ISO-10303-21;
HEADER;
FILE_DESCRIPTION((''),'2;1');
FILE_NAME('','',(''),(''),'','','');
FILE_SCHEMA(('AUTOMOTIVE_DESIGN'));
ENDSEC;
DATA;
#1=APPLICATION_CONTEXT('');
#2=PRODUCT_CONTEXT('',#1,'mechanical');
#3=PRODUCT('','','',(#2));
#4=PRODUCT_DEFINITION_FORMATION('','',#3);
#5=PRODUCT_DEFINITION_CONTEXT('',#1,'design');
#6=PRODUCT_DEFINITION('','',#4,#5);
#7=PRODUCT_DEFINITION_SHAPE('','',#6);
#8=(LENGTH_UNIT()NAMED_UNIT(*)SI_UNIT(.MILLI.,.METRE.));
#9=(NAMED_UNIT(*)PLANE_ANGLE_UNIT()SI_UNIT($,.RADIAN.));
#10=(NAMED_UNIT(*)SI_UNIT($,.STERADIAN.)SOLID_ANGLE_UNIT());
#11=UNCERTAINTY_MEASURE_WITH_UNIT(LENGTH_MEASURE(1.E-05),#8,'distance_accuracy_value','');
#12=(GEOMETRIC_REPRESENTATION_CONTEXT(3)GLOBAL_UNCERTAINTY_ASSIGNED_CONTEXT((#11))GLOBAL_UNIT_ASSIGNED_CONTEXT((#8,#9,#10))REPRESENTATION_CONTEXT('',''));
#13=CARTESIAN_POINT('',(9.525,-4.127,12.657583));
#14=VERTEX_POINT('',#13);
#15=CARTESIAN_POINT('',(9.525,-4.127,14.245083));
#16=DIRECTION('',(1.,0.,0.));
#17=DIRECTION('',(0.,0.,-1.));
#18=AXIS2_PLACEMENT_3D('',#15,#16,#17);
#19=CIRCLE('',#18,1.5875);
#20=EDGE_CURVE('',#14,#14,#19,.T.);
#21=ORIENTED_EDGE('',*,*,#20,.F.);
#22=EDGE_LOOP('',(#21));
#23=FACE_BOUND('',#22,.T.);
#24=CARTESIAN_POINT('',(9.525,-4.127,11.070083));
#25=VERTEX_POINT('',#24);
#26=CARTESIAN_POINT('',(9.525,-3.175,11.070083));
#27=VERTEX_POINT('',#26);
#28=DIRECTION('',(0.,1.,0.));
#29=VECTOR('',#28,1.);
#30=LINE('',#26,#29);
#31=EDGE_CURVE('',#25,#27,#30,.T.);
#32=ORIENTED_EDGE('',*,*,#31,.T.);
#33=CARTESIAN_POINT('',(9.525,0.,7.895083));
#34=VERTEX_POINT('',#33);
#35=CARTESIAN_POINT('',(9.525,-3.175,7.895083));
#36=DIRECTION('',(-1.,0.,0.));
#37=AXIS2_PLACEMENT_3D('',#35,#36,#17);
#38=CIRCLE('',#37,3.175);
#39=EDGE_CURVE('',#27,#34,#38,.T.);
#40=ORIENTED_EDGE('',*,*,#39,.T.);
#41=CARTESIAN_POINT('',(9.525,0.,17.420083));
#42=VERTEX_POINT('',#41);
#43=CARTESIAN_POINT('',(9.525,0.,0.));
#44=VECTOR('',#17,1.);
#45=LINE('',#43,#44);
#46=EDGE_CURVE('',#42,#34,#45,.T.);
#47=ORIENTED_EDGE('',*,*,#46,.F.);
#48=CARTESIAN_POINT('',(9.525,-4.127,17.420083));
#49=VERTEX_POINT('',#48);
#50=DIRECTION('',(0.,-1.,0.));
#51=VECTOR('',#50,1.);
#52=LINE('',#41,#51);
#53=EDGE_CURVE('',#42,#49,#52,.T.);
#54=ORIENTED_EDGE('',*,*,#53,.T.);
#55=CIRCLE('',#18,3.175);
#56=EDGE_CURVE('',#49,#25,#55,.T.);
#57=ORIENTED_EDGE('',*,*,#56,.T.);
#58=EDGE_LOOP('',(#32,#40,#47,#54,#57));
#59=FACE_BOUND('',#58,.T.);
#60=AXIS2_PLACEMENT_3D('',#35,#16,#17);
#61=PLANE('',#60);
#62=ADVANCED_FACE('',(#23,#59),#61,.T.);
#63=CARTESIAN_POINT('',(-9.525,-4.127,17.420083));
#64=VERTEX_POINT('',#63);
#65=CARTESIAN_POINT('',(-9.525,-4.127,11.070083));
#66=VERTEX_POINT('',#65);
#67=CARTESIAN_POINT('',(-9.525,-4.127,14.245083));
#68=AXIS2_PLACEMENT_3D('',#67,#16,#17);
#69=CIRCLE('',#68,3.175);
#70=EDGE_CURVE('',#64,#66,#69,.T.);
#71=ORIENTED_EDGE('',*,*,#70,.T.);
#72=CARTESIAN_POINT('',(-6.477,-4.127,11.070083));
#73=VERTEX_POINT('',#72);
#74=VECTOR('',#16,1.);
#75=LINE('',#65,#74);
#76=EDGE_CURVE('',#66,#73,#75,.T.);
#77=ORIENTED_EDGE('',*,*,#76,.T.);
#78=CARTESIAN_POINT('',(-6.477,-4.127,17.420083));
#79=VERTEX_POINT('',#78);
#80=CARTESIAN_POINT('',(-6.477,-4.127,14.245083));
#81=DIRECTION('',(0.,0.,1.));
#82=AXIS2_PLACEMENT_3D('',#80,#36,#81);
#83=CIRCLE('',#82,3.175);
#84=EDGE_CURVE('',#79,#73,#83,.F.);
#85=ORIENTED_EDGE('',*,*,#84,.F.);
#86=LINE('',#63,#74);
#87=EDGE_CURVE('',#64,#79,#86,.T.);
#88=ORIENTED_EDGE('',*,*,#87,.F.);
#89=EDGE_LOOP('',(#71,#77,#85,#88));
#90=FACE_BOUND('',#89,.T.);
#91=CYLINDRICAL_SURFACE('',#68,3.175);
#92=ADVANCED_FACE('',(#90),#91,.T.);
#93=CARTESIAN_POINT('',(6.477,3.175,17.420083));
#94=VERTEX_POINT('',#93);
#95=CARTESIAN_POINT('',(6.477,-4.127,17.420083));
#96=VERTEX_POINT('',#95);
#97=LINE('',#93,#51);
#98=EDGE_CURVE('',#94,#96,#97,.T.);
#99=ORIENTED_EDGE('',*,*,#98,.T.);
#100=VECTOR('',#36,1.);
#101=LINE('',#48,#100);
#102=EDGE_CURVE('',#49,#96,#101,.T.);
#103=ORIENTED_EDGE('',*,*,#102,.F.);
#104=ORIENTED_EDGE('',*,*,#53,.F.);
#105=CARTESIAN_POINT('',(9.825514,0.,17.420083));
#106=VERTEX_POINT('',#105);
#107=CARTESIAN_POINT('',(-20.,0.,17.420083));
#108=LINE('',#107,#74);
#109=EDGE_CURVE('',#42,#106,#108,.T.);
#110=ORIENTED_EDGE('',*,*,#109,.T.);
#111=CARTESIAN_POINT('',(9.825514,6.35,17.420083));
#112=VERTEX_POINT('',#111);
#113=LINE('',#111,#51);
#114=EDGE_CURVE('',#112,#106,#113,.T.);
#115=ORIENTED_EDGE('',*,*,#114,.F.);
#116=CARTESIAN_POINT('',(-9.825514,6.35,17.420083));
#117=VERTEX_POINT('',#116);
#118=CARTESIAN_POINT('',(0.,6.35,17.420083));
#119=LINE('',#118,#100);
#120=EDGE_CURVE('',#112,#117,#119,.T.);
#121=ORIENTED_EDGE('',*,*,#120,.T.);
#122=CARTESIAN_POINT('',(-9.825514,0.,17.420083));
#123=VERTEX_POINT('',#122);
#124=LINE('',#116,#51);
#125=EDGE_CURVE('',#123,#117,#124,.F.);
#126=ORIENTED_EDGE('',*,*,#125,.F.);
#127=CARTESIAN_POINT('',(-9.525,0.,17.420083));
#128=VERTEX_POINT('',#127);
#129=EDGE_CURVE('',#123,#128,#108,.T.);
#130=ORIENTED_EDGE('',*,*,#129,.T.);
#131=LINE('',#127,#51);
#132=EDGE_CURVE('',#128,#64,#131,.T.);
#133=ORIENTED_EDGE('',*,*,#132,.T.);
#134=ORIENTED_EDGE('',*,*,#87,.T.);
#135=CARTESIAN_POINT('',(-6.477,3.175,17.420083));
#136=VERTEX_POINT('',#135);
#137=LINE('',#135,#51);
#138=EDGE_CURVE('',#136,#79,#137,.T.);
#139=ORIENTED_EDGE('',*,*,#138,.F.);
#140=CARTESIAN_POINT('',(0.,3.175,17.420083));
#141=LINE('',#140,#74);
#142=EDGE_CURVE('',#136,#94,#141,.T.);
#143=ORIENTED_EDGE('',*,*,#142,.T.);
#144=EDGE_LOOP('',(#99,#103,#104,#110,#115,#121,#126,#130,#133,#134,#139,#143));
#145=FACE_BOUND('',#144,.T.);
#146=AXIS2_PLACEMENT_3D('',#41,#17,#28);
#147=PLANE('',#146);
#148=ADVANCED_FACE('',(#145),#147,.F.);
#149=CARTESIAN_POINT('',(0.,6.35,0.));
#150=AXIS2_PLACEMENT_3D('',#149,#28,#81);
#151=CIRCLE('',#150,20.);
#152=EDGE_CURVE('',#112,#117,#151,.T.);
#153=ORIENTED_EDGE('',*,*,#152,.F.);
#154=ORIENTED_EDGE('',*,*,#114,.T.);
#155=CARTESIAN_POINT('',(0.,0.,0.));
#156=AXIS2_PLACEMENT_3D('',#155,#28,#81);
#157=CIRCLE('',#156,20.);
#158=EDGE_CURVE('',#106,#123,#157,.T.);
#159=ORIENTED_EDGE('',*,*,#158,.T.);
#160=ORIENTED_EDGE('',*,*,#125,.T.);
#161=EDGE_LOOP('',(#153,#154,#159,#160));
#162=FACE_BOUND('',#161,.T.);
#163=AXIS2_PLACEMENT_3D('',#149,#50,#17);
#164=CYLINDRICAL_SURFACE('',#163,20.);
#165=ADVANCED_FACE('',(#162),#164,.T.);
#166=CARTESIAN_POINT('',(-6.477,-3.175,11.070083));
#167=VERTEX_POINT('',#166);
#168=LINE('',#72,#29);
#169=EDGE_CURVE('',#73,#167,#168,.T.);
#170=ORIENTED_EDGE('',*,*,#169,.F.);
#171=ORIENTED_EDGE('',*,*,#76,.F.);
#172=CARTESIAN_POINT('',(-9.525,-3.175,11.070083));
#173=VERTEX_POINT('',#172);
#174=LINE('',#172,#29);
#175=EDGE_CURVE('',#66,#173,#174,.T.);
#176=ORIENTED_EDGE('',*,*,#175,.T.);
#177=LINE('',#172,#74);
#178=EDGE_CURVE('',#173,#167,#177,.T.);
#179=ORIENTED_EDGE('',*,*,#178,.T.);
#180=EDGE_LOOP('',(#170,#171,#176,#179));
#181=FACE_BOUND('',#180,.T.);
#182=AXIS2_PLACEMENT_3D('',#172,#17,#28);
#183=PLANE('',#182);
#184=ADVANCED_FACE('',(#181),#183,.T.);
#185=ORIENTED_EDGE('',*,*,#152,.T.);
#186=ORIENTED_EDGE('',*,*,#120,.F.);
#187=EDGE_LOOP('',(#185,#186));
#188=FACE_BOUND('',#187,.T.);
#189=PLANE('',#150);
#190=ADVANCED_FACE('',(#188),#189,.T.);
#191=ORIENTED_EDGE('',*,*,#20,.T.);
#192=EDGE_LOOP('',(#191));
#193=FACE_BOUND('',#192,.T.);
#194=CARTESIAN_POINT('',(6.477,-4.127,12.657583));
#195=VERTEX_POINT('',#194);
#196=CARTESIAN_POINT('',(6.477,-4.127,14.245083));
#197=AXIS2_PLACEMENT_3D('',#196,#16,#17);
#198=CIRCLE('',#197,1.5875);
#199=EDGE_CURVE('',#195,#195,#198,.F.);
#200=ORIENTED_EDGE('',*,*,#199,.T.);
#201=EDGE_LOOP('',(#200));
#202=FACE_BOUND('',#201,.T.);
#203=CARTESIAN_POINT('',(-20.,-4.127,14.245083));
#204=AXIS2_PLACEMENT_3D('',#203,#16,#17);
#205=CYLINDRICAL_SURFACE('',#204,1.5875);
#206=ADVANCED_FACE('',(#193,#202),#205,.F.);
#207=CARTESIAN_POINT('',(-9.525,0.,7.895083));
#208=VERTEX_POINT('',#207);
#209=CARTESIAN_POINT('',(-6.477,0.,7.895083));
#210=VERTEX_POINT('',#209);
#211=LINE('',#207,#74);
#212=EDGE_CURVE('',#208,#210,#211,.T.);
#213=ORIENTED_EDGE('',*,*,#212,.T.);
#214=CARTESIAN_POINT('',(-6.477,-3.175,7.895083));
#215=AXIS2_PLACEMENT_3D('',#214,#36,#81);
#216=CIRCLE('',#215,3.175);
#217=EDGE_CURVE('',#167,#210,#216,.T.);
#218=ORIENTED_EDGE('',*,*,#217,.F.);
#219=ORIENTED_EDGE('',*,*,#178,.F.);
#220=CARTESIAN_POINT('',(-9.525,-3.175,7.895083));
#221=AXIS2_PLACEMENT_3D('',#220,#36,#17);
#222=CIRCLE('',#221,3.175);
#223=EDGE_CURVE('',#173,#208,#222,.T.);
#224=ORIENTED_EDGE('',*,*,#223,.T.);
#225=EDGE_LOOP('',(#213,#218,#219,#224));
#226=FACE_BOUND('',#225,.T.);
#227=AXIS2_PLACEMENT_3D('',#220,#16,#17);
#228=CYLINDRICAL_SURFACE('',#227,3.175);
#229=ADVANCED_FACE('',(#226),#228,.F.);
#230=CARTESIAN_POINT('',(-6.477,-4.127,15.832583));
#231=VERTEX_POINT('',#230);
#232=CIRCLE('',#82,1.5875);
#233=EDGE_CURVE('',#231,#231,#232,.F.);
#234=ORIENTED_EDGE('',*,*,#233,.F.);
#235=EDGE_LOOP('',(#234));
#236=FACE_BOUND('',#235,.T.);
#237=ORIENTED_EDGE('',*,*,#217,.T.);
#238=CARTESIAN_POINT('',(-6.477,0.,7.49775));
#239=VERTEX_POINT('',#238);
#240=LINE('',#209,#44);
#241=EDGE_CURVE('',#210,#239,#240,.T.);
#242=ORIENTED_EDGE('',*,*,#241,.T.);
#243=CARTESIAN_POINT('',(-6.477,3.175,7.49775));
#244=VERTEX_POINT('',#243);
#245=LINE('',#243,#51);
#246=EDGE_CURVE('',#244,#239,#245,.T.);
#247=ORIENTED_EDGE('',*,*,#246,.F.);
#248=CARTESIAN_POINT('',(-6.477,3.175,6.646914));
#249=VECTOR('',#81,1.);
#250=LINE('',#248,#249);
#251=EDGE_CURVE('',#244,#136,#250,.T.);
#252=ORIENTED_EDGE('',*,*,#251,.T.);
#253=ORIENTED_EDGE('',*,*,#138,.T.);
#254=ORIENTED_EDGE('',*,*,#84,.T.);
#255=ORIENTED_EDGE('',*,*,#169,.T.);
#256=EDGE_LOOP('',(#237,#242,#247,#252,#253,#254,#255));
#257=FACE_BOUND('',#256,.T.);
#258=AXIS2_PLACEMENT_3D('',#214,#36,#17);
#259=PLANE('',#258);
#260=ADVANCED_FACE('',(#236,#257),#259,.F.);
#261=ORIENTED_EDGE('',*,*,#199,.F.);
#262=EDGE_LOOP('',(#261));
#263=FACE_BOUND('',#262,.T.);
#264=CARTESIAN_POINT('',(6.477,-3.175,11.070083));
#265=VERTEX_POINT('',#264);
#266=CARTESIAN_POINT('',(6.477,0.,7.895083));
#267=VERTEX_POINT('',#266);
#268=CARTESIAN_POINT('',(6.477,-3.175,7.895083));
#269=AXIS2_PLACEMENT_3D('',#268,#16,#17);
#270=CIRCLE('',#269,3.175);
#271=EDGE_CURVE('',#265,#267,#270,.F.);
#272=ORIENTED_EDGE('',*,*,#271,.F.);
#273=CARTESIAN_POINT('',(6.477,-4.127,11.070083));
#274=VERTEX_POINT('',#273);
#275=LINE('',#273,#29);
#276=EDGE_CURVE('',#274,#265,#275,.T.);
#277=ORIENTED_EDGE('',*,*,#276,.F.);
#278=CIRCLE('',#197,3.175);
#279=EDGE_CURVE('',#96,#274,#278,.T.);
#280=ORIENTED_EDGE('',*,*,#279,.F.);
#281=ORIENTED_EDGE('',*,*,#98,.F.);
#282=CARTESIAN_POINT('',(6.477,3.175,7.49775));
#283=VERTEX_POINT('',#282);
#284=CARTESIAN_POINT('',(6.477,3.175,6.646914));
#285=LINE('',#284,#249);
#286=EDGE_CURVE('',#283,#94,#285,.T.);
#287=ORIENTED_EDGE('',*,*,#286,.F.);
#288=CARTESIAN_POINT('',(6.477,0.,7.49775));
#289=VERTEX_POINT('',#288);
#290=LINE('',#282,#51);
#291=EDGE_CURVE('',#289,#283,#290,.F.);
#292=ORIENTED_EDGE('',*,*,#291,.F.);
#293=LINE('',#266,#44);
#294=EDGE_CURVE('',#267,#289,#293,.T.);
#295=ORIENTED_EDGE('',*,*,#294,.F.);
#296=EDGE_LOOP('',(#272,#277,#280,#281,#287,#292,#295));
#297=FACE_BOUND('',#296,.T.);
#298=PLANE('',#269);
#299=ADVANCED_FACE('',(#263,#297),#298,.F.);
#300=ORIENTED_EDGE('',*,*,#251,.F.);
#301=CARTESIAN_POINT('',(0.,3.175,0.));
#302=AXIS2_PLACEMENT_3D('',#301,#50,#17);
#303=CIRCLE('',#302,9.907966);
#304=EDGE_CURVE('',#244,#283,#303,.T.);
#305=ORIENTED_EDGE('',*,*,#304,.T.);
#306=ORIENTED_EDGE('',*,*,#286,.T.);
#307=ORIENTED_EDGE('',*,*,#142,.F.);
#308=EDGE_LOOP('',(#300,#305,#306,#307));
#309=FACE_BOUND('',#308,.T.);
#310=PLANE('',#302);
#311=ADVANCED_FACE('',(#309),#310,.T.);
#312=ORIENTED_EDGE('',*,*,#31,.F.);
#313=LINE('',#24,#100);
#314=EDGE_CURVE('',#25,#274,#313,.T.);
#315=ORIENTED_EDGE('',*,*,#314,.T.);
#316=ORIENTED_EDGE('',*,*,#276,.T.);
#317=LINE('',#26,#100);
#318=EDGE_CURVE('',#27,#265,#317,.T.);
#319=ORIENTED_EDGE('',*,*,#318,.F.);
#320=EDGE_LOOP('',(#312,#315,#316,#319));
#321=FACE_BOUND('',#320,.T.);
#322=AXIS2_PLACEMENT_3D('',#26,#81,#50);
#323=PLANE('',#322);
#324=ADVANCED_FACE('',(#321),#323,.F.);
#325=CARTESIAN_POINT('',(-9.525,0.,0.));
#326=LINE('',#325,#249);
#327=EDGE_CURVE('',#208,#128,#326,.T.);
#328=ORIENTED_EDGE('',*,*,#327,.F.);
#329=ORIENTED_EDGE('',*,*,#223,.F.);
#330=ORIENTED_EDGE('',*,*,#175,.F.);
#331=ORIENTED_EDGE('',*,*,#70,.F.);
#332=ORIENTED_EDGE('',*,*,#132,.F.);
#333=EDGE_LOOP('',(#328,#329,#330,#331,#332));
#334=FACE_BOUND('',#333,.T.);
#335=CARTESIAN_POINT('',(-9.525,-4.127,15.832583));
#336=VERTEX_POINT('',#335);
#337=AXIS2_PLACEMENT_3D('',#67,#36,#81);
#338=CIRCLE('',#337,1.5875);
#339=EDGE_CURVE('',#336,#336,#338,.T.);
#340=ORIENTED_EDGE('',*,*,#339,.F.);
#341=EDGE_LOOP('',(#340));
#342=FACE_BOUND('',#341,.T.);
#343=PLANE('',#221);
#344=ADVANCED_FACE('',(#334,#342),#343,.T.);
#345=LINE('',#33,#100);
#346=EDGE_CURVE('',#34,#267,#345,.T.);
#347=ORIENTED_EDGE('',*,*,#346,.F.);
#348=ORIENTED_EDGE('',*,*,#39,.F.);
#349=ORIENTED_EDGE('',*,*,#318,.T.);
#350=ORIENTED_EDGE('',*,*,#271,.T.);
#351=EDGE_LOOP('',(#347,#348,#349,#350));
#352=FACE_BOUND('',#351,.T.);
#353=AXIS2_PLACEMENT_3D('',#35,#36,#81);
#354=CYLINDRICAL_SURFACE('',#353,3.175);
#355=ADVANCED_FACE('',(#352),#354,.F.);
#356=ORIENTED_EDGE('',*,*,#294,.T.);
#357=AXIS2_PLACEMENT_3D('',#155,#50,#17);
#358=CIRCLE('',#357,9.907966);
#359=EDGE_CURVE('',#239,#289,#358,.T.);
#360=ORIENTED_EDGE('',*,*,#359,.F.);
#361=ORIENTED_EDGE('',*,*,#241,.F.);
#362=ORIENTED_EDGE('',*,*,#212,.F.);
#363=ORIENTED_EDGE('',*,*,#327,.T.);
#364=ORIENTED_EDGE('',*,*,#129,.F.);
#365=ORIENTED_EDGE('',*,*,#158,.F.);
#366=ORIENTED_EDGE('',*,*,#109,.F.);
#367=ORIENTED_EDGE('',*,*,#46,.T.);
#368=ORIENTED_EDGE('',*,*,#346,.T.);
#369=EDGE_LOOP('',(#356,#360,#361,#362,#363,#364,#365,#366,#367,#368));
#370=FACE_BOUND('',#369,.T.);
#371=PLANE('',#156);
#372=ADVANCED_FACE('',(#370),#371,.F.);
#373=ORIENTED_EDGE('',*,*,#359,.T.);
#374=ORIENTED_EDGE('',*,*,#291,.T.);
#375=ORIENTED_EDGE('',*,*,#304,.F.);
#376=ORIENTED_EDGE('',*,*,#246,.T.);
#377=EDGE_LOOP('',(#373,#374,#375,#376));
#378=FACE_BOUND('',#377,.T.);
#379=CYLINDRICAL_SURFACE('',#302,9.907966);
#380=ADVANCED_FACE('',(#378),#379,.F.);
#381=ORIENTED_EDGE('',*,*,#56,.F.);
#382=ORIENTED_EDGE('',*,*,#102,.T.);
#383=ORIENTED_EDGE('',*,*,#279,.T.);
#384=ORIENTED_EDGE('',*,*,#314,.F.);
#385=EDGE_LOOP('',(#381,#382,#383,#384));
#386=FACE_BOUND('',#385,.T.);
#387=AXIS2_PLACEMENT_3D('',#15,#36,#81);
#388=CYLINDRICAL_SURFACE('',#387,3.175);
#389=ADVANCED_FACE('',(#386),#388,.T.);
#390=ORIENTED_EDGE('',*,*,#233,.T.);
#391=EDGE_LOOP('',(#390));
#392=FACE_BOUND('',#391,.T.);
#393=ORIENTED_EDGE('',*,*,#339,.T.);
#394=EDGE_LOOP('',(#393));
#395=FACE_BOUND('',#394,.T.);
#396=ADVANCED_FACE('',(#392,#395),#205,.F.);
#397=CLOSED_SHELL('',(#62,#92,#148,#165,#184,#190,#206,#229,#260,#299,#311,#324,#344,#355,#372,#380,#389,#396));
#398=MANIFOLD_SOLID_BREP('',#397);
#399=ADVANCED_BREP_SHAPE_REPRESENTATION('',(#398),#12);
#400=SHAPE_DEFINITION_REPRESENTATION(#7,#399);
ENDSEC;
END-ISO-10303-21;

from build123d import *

# Parameters (mm, degrees)
SKETCH1_R               = 20.000000005
BOSS_EXTRUDE1_DEPTH     = 6.35
BOSS_EXTRUDE2_DEPTH     = 3.175
SKETCH3_R               = 1.5875
CUT_EXTRUDE1_DEPTH      = 30.525000005
CUT_EXTRUDE2_DEPTH      = 3.175
SKETCH6_W               = 9.069473667
SKETCH6_H               = 11.755238044
CUT_EXTRUDE3_DEPTH      = 14.650000005
CUT_EXTRUDE3_DEPTH_BACK = 27.350000005
CUT_EXTRUDE4_DEPTH      = 6.477
CUT_EXTRUDE4_DEPTH_BACK = 6.477


with BuildPart() as part:
    # Sketch1 → Boss-Extrude1 (new body)
    with BuildSketch(Plane(origin=(0, 0, 0), x_dir=(1, 0, 0), z_dir=(0, 1, 0))):
        Circle(SKETCH1_R)
    extrude(amount=BOSS_EXTRUDE1_DEPTH)

    # Sketch2 → Boss-Extrude2 (add)
    with BuildSketch(Plane(origin=(6.35, 0, 0), x_dir=(0, 0, -1), z_dir=(1, 0, 0))):
        with BuildLine():
            Line((-17.420082718, 0), (-17.420082718, -4.127))
            ThreePointArc((-17.420082718, -4.127), (-14.245082718, -7.302), (-11.070082718, -4.127))
            Line((-11.070082718, -4.127), (-11.070082718, -3.175))
            ThreePointArc((-11.070082718, -3.175), (-10.140146748, -0.92993597), (-7.895082718, 0))
            Line((-7.895082718, 0), (-5.849160659, 0))
            Line((-5.849160659, 0), (-5.849160659, 6.35))
            Line((-5.849160659, 6.35), (-11.070082718, 6.35))
            ThreePointArc((-11.070082718, 6.35), (-15.560210778, 4.490128061), (-17.420082718, 0))
        make_face()
    boss_extrude2 = extrude(amount=BOSS_EXTRUDE2_DEPTH)

    # Mirror1: Boss-Extrude2 across plane
    add(boss_extrude2.mirror(Plane(origin=(0, 0, 0), x_dir=(0, 0, 1), z_dir=(1, 0, 0))))

    # Sketch3 → Cut-Extrude1 (cut, through all)
    with BuildSketch(Plane(origin=(9.525, 0, 0), x_dir=(0, 0, -1), z_dir=(1, 0, 0))):
        with Locations((-14.245082718, -4.127)):
            Circle(SKETCH3_R)
    extrude(amount=-CUT_EXTRUDE1_DEPTH, mode=Mode.SUBTRACT)

    # Sketch5 → Cut-Extrude2 (cut)
    with BuildSketch(Plane.XZ):
        with BuildLine():
            Line((6.35, 18.965165441), (6.35, 7.605609073))
            ThreePointArc((6.35, 7.605609073), (0, -9.907965955), (-6.35, 7.605609073))
            Line((-6.35, 7.605609073), (-6.35, 18.965165441))
            ThreePointArc((-6.35, 18.965165441), (0, 20.000000005), (6.35, 18.965165441))
        make_face()
    extrude(amount=-CUT_EXTRUDE2_DEPTH, mode=Mode.SUBTRACT)

    # Sketch6 → Cut-Extrude3 (cut, two sides)
    with BuildSketch(Plane(origin=(6.35, 0, 0), x_dir=(0, 0, -1), z_dir=(1, 0, 0))) as cut_extrude3_sk:
        with Locations((-21.954819552, 5.877619022)):
            Rectangle(SKETCH6_W, SKETCH6_H)
    extrude(amount=CUT_EXTRUDE3_DEPTH, mode=Mode.SUBTRACT)
    extrude(cut_extrude3_sk.sketch, amount=-CUT_EXTRUDE3_DEPTH_BACK, mode=Mode.SUBTRACT)

    # Sketch7 → Cut-Extrude4 (cut, two sides)
    with BuildSketch(Plane(origin=(0, 0, 0), x_dir=(0, 0, -1), z_dir=(1, 0, 0))) as cut_extrude4_sk:
        with BuildLine():
            Line((-6.646914412, 0), (-6.646914412, 3.175))
            Line((-6.646914412, 3.175), (-7.605609073, 3.175))
            Line((-7.605609073, 3.175), (-17.420082718, 3.175))
            Line((-17.420082718, 3.175), (-17.420082718, -4.127))
            ThreePointArc((-17.420082718, -4.127), (-14.245082718, -7.302), (-11.070082718, -4.127))
            Line((-11.070082718, -4.127), (-11.070082718, -3.175))
            ThreePointArc((-11.070082718, -3.175), (-10.140146748, -0.92993597), (-7.895082718, 0))
            Line((-7.895082718, 0), (-6.646914412, 0))
        make_face()
    extrude(amount=CUT_EXTRUDE4_DEPTH, mode=Mode.SUBTRACT)
    extrude(cut_extrude4_sk.sketch, amount=-CUT_EXTRUDE4_DEPTH_BACK, mode=Mode.SUBTRACT)


solid = part.part
